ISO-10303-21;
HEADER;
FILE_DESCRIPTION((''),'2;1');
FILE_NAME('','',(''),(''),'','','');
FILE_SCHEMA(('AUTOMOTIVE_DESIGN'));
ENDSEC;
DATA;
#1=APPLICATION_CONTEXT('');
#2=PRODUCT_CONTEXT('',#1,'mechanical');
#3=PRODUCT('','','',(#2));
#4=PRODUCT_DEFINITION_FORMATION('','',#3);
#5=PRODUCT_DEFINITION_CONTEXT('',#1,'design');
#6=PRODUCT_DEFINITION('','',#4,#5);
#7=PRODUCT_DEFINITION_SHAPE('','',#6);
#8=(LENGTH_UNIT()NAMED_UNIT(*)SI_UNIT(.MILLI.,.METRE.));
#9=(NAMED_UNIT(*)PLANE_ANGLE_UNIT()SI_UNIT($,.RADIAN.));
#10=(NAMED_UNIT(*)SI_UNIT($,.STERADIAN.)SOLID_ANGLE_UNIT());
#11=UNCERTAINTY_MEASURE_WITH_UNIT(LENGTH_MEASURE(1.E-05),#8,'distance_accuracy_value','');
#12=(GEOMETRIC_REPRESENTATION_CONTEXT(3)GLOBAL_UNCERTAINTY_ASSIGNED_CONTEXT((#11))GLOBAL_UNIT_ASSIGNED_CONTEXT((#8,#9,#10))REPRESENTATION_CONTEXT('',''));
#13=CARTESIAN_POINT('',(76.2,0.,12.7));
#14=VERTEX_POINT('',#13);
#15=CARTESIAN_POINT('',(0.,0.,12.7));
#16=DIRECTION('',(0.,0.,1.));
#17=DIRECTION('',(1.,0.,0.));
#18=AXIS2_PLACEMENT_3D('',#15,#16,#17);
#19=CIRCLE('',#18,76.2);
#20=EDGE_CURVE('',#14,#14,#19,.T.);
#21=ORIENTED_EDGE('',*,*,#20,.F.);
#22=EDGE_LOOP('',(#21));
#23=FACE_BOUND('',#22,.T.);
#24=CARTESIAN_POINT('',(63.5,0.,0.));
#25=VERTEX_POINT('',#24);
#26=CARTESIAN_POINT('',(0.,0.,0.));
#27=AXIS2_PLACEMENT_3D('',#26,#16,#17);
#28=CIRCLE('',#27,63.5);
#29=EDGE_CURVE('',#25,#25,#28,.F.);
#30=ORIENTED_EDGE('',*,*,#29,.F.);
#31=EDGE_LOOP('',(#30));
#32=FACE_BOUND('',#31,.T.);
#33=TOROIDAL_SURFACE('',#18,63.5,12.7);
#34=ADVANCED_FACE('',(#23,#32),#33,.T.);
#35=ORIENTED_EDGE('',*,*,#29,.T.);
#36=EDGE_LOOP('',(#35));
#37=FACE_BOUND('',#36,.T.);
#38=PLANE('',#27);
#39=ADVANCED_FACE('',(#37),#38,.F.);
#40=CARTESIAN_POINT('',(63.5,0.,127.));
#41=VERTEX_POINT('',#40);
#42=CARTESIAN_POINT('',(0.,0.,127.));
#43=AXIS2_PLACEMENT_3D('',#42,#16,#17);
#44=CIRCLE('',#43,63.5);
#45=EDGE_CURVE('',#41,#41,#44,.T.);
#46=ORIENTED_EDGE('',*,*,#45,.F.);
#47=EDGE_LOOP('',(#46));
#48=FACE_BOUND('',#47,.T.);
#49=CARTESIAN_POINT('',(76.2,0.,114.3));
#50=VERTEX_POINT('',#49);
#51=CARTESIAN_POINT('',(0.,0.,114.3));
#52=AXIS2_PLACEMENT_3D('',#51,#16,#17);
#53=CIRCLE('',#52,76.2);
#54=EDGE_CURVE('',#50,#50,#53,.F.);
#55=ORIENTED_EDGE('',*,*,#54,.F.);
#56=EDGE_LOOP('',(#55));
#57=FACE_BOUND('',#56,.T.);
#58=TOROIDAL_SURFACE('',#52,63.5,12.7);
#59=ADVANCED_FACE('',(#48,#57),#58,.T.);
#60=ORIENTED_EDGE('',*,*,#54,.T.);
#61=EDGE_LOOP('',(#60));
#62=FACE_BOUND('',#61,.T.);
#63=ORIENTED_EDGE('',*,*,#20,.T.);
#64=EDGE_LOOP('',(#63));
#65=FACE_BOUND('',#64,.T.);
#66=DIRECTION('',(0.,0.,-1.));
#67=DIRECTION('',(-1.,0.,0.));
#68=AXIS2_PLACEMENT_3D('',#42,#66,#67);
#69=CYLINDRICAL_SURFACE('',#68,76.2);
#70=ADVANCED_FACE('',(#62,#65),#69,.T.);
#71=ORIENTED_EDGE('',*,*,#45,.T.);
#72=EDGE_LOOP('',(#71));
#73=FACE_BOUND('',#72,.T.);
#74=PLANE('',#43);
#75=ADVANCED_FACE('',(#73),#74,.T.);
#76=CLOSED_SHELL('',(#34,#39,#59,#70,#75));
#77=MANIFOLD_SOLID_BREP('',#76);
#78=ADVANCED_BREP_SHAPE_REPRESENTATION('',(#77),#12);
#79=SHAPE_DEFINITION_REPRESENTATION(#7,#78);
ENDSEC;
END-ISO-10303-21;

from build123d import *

# Parameters (mm, degrees)
SKETCH1_R           = 76.2
BOSS_EXTRUDE1_DEPTH = 127
FILLET1_R           = 12.7


with BuildPart() as part:
    # Sketch1 → Boss-Extrude1 (new body)
    with BuildSketch(Plane.XY):
        Circle(SKETCH1_R)
    extrude(amount=BOSS_EXTRUDE1_DEPTH)

    # Fillet1
    fillet1_edges = [part.edges().sort_by_distance(p)[0] for p in [
        (-76.2, 0, 0),
        (-76.2, 0, 127),
    ]]
    fillet(fillet1_edges, radius=FILLET1_R)


solid = part.part
